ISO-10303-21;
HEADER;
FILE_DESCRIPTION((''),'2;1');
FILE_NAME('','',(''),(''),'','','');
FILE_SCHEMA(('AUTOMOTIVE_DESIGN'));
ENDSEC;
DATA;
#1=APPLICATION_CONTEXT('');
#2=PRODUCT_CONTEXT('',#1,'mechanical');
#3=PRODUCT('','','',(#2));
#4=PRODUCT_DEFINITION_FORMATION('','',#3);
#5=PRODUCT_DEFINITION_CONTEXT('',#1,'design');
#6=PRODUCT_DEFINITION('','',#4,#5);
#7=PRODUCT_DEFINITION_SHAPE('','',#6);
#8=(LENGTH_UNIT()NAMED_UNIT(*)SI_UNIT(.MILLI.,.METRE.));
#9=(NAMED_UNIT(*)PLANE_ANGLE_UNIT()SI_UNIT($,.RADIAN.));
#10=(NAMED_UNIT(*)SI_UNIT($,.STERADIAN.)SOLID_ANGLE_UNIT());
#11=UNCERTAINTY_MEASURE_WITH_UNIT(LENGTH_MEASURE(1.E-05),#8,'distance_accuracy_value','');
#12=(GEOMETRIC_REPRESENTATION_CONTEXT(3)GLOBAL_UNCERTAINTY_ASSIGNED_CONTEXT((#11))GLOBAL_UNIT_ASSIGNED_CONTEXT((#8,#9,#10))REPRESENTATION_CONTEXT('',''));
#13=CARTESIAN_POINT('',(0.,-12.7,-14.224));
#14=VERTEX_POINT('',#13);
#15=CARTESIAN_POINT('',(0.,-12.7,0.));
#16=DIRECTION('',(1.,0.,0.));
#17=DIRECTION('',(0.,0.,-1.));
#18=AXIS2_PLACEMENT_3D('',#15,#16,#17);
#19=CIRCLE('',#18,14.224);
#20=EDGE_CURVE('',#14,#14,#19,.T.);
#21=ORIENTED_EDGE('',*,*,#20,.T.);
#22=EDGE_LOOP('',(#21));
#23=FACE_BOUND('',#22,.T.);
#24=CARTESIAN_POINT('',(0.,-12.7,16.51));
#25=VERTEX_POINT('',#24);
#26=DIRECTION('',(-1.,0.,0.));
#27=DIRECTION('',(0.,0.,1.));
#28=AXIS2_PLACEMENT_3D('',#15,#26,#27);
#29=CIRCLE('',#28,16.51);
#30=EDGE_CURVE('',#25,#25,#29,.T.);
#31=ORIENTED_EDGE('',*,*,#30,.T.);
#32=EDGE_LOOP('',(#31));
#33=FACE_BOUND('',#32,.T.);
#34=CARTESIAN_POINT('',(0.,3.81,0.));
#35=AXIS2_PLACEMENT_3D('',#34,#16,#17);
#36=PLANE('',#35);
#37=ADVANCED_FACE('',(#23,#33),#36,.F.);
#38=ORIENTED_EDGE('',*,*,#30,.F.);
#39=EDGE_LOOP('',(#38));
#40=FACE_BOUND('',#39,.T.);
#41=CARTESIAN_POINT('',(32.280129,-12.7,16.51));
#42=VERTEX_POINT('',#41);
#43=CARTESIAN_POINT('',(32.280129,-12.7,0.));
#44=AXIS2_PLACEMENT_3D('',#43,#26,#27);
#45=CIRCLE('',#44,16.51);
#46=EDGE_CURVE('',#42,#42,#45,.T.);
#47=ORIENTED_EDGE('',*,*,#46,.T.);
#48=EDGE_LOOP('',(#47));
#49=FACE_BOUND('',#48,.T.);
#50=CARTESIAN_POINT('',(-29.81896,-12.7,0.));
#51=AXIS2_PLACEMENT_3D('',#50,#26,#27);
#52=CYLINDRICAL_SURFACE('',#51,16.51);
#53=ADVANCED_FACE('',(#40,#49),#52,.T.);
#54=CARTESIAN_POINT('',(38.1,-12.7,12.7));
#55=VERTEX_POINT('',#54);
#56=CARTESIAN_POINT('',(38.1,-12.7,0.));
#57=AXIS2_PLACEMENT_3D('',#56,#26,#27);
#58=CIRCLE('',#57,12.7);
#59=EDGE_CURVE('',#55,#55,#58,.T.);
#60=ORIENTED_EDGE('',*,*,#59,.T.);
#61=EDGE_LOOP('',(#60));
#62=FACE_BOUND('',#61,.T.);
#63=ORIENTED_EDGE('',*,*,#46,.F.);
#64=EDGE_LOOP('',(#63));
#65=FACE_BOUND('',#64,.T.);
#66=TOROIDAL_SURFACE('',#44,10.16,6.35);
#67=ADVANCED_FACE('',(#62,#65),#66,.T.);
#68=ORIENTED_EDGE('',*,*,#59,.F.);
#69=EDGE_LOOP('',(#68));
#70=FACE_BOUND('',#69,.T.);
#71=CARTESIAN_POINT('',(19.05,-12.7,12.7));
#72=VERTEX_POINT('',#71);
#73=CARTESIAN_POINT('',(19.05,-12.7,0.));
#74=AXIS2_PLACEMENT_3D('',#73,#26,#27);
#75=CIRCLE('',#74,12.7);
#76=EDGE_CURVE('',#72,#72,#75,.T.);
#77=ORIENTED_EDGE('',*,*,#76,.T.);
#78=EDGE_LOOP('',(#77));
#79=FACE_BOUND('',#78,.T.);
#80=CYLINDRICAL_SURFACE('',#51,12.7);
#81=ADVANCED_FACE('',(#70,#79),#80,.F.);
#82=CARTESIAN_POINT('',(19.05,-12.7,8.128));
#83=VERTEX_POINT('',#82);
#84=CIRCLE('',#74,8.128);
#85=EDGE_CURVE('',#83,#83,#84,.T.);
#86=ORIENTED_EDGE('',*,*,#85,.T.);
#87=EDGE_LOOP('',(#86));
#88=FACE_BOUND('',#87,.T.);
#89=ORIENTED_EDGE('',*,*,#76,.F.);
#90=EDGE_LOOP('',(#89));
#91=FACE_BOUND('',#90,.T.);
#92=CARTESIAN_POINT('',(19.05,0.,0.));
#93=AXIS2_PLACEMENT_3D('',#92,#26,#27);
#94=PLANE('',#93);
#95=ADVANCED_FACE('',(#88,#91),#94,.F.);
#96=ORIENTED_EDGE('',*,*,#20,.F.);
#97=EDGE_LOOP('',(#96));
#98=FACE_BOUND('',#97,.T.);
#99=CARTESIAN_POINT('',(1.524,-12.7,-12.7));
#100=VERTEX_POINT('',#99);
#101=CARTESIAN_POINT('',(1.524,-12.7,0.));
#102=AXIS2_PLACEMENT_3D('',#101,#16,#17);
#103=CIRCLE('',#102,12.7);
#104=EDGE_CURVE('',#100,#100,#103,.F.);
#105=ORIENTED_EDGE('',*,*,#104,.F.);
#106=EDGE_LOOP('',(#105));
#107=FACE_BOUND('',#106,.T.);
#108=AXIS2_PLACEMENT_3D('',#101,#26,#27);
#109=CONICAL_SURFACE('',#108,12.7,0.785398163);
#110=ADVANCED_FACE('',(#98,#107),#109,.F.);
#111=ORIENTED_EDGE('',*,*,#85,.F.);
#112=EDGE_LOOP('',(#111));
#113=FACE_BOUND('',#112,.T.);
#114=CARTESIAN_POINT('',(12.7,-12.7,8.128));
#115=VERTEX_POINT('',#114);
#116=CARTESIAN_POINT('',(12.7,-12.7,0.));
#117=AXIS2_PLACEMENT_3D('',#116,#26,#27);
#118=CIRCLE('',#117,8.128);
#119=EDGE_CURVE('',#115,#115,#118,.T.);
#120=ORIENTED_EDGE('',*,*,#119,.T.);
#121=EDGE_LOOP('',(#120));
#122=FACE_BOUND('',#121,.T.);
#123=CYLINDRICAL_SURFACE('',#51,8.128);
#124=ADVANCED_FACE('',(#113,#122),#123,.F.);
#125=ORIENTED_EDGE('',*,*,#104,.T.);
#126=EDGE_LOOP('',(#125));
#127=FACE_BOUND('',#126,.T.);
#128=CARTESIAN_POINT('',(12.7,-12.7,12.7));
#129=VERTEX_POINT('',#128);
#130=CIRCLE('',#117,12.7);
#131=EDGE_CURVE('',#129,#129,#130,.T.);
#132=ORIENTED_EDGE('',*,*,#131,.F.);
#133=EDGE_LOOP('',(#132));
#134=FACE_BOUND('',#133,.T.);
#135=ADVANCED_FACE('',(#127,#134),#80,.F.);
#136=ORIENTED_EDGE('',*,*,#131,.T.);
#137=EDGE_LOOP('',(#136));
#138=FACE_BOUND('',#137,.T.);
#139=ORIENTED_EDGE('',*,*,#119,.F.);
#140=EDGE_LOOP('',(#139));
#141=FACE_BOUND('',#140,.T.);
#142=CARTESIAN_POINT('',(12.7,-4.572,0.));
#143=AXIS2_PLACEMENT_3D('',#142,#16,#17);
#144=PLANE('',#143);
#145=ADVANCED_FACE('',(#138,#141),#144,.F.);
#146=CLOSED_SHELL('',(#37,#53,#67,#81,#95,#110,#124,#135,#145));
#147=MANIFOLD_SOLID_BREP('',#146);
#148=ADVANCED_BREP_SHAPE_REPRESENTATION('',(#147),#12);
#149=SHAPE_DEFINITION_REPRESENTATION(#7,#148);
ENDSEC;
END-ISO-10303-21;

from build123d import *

# Parameters (mm, degrees)
CHAMFER1_SIZE = 1.524


with BuildPart() as part:
    # Sketch1 → Revolve1 (revolve)
    with BuildSketch(Plane.XY):
        with BuildLine():
            Line((0, 0), (12.7, 0))
            Line((12.7, 0), (12.7, -4.572))
            Line((12.7, -4.572), (19.05, -4.572))
            Line((19.05, -4.572), (19.05, 0))
            Line((19.05, 0), (38.1, 0))
            ThreePointArc((38.1, 0), (35.758167108, 2.772791168), (32.280128867, 3.81))
            Line((32.280128867, 3.81), (0, 3.81))
            Line((0, 3.81), (0, 0))
        make_face()
    revolve(axis=Axis((-29.818959813, -12.7, 0), (1, 0, 0)))

    # Chamfer1
    chamfer1_edges = [part.edges().sort_by_distance(p)[0] for p in [
        (0, -25.4, 0),
    ]]
    chamfer(chamfer1_edges, length=CHAMFER1_SIZE)


solid = part.part
